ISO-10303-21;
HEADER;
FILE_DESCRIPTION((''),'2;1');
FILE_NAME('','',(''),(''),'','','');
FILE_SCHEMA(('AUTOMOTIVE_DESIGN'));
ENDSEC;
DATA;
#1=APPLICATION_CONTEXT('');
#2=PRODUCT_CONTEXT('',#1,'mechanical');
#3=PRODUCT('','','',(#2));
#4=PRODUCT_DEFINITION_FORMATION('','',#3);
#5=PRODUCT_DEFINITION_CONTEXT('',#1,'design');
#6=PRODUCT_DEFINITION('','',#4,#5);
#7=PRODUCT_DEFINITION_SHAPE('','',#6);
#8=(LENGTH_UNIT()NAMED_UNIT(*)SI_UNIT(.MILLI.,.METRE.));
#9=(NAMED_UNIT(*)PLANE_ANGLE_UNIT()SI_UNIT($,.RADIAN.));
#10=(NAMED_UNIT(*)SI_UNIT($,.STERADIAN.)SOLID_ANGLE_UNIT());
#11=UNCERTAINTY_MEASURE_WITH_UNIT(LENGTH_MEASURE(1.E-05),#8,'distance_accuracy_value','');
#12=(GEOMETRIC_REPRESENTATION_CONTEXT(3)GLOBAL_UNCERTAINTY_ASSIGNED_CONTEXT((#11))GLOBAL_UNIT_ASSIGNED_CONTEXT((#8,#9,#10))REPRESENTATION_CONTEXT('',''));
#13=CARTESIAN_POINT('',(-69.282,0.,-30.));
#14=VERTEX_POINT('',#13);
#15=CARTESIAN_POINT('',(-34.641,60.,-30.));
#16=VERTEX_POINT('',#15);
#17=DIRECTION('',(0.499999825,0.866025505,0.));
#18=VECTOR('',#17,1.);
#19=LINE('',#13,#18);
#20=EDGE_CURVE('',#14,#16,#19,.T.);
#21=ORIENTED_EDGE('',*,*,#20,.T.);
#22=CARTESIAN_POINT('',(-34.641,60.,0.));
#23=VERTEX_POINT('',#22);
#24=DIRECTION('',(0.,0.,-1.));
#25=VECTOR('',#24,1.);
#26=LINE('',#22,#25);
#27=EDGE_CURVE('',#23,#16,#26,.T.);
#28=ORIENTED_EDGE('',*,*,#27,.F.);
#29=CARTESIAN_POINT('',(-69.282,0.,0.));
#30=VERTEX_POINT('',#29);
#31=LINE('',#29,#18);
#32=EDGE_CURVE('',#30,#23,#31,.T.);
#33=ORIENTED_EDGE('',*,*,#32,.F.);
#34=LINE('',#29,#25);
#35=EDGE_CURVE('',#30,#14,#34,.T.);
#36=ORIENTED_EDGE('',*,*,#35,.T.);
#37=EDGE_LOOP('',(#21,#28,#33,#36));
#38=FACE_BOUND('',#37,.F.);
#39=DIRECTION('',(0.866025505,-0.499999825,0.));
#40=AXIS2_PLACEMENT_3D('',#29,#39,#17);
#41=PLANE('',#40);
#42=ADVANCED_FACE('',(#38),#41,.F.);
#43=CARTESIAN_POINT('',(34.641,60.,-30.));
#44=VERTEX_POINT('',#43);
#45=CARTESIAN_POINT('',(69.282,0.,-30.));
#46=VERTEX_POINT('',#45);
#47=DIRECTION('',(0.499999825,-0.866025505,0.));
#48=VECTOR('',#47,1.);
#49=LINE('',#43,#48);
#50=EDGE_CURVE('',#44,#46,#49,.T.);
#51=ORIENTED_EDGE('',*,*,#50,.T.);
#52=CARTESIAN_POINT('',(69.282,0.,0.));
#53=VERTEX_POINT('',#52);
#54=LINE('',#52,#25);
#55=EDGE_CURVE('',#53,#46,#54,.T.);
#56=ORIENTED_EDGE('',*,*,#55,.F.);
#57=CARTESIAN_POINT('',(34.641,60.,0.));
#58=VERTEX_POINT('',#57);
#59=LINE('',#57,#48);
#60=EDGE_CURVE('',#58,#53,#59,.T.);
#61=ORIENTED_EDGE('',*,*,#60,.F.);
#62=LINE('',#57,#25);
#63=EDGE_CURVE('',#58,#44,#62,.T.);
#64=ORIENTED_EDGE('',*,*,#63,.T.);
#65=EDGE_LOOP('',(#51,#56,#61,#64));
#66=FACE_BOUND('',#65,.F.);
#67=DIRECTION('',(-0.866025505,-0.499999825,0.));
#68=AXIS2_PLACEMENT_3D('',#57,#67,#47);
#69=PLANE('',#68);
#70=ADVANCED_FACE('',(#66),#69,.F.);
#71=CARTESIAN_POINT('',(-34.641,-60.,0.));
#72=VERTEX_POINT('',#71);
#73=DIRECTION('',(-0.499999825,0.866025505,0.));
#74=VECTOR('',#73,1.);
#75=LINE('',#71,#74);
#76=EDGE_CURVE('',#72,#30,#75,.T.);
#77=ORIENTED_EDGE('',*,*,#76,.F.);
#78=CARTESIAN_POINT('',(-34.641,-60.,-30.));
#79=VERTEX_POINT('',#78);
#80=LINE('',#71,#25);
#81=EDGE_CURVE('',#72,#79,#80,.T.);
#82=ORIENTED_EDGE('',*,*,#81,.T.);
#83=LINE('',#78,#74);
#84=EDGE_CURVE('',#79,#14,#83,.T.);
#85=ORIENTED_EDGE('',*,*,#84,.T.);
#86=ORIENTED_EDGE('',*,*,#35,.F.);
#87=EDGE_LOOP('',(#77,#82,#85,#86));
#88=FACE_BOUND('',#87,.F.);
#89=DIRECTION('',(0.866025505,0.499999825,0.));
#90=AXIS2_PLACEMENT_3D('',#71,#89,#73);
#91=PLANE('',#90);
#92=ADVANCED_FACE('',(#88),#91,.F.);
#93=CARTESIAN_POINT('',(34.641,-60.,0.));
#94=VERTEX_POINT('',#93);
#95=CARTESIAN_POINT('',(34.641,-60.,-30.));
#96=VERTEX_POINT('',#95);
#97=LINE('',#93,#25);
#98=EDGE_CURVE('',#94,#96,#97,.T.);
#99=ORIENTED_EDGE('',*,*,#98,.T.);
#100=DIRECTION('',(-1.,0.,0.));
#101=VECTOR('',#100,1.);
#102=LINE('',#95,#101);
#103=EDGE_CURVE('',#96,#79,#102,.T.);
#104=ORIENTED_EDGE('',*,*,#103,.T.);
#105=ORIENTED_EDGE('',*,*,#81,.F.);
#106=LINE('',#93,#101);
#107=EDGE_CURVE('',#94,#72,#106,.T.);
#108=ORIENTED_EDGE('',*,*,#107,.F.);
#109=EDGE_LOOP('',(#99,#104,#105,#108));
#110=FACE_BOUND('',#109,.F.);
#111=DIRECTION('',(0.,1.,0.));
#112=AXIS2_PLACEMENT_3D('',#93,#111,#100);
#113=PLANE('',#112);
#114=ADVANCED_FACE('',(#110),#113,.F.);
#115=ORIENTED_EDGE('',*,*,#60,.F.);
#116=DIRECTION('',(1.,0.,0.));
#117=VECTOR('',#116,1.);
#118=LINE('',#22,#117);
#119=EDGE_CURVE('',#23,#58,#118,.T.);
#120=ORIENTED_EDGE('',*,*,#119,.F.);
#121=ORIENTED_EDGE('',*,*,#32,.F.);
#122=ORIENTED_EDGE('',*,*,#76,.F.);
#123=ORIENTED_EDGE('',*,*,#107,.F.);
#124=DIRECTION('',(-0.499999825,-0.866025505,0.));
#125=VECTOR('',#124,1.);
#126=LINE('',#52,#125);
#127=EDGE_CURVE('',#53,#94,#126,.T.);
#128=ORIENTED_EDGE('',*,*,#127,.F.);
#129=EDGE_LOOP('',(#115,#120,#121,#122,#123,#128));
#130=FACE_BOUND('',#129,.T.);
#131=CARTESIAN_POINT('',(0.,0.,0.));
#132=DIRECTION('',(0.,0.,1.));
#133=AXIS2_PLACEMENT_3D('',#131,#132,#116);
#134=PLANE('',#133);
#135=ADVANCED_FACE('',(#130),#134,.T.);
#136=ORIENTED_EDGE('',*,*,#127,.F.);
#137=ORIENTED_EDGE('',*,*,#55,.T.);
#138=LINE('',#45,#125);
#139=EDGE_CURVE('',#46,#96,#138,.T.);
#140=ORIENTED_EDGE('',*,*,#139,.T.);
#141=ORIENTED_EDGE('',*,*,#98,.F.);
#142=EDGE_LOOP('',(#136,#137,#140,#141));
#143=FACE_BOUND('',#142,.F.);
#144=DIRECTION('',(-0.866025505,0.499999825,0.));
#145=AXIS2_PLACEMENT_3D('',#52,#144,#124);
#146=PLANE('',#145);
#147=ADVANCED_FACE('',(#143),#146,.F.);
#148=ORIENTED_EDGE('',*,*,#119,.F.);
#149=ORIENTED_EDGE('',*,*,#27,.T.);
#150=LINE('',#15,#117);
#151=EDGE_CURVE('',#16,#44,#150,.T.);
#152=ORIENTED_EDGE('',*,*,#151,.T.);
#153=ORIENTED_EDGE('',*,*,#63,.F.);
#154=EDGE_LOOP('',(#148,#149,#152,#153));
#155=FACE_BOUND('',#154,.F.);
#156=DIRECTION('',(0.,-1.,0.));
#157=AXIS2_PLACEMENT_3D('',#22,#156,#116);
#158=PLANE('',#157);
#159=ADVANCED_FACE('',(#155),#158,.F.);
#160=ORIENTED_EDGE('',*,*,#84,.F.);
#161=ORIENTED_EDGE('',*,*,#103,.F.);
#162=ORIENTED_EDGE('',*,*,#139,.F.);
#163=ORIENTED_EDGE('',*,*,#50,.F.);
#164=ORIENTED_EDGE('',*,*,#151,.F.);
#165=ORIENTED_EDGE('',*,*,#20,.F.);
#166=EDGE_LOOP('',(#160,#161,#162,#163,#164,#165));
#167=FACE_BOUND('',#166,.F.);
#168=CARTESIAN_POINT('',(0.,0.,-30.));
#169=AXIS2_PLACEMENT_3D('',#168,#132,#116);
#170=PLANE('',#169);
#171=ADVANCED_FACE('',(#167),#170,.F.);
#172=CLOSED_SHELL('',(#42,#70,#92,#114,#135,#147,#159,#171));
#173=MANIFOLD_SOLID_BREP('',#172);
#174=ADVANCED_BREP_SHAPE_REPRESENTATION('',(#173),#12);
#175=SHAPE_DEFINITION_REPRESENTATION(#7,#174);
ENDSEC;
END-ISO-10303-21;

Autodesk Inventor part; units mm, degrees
ref_plane "YZ Plane" through (0, 0, 0) normal (1, 0, 0) x (0, 1, 0)
ref_plane "XZ Plane" through (0, 0, 0) normal (0, 1, 0) x (-1, 0, 0)
ref_plane "XY Plane" through (0, 0, 0) normal (0, 0, 1) x (1, 0, 0)
sketch "Sketch3" plane through (0, 0, 0) normal (0, 0, 1) x (1, 0, 0)
  line L0 (69.282, 0) -> (34.641, -60)
  line L1 (34.641, -60) -> (-34.641, -60)
  line L2 (-34.641, -60) -> (-69.282, 0)
  line L3 (-69.282, 0) -> (-34.641, 60)
  line L4 (-34.641, 60) -> (34.641, 60)
  line L5 (34.641, 60) -> (69.282, 0)
  line L6 (0, 39) -> (33.775, 19.5) construction
  line L7 (33.775, 19.5) -> (33.775, -19.5) construction
  line L8 (33.775, -19.5) -> (0, -39) construction
  line L9 (0, -39) -> (-33.775, -19.5) construction
  line L10 (-33.775, -19.5) -> (-33.775, 19.5) construction
  line L11 (-33.775, 19.5) -> (0, 39) construction
  line L12 (-184.4044, 0) -> (172.1196, 0) construction
  line L13 (0, 140.5486) -> (0, -103.923) construction
  line L14 (20.7846, 39) -> (10.3923, 21)
  line L15 (10.3923, 21) -> (-10.3923, 21)
  line L16 (-10.3923, 21) -> (-20.7846, 39)
  line L17 (-20.7846, 39) -> (-10.3923, 57)
  line L18 (-10.3923, 57) -> (10.3923, 57)
  line L19 (10.3923, 57) -> (20.7846, 39)
  line L20 (-12.9904, 19.5) -> (-23.3827, 1.5)
  line L21 (-23.3827, 37.5) -> (-12.9904, 19.5)
  line L22 (-44.1673, 1.5) -> (-54.5596, 19.5)
  line L23 (-44.1673, 37.5) -> (-23.3827, 37.5)
  line L24 (-54.5596, 19.5) -> (-44.1673, 37.5)
  line L25 (-23.3827, 1.5) -> (-44.1673, 1.5)
  line L26 (-23.3827, -1.5) -> (-12.9904, -19.5)
  line L27 (-44.1673, -1.5) -> (-23.3827, -1.5)
  line L28 (-23.3827, -37.5) -> (-44.1673, -37.5)
  line L29 (-54.5596, -19.5) -> (-44.1673, -1.5)
  line L30 (-44.1673, -37.5) -> (-54.5596, -19.5)
  line L31 (-12.9904, -19.5) -> (-23.3827, -37.5)
  line L32 (-10.3923, -21) -> (10.3923, -21)
  line L33 (-20.7846, -39) -> (-10.3923, -21)
  line L34 (20.7846, -39) -> (10.3923, -57)
  line L35 (-10.3923, -57) -> (-20.7846, -39)
  line L36 (10.3923, -57) -> (-10.3923, -57)
  line L37 (10.3923, -21) -> (20.7846, -39)
  line L38 (12.9904, -19.5) -> (23.3827, -1.5)
  line L39 (23.3827, -37.5) -> (12.9904, -19.5)
  line L40 (44.1673, -1.5) -> (54.5596, -19.5)
  line L41 (44.1673, -37.5) -> (23.3827, -37.5)
  line L42 (54.5596, -19.5) -> (44.1673, -37.5)
  line L43 (23.3827, -1.5) -> (44.1673, -1.5)
  line L44 (23.3827, 1.5) -> (12.9904, 19.5)
  line L45 (44.1673, 1.5) -> (23.3827, 1.5)
  line L46 (23.3827, 37.5) -> (44.1673, 37.5)
  line L47 (54.5596, 19.5) -> (44.1673, 1.5)
  line L48 (44.1673, 37.5) -> (54.5596, 19.5)
  line L49 (12.9904, 19.5) -> (23.3827, 37.5)
  point P0 (0, 0)
  point P1 (0, 0)
  point P2 (0, 0)
  point P3 (-33.775, 19.5)
  point P4 (-33.775, 19.5)
  point P5 (-33.775, -19.5)
  point P6 (-33.775, -19.5)
  point P7 (0, -39)
  point P8 (0, -39)
  point P9 (33.775, -19.5)
  point P10 (33.775, -19.5)
  point P11 (33.775, 19.5)
  point P12 (33.775, 19.5)
  dimension "d58" = 60
  dimension "d59" = 90
  dimension "hex_construct" = 39
  dimension "mini_hex" = 18
  dimension "d65" = 360
  dimension "d74" = 60
sketch "Sketch4" plane through (0, 0, 0) normal (0, 0, 1) x (1, 0, 0)
  line L0 (-34.641, 60) -> (34.641, 60) projected
  line L1 (34.641, 60) -> (69.282, 0) projected
  line L2 (69.282, 0) -> (34.641, -60) projected
  line L3 (34.641, -60) -> (-34.641, -60) projected
  line L4 (-34.641, -60) -> (-69.282, 0) projected
  line L5 (-69.282, 0) -> (-34.641, 60) projected
  line L6 (34.641, 60) -> (69.282, 0)
  line L7 (69.282, 0) -> (34.641, -60)
  line L8 (34.641, -60) -> (-34.641, -60)
  line L9 (-34.641, -60) -> (-69.282, 0)
  line L10 (-69.282, 0) -> (-34.641, 60)
  line L11 (-34.641, 60) -> (34.641, 60)
  point P0 (0, 0)
  point P1 (0, 0)
extrude "Extrusion6" add sketch "Sketch4" against normal blind 30
extrude "Extrusion7" [suppressed]
sketch "Sketch5" plane through (0, 0, -30) normal (0, 0, -1) x (-1, 0, 0)
  point P0 (0, 0)
equation "\"wall_thickness\" = 3"
properties part number "Hexagon pill box"
